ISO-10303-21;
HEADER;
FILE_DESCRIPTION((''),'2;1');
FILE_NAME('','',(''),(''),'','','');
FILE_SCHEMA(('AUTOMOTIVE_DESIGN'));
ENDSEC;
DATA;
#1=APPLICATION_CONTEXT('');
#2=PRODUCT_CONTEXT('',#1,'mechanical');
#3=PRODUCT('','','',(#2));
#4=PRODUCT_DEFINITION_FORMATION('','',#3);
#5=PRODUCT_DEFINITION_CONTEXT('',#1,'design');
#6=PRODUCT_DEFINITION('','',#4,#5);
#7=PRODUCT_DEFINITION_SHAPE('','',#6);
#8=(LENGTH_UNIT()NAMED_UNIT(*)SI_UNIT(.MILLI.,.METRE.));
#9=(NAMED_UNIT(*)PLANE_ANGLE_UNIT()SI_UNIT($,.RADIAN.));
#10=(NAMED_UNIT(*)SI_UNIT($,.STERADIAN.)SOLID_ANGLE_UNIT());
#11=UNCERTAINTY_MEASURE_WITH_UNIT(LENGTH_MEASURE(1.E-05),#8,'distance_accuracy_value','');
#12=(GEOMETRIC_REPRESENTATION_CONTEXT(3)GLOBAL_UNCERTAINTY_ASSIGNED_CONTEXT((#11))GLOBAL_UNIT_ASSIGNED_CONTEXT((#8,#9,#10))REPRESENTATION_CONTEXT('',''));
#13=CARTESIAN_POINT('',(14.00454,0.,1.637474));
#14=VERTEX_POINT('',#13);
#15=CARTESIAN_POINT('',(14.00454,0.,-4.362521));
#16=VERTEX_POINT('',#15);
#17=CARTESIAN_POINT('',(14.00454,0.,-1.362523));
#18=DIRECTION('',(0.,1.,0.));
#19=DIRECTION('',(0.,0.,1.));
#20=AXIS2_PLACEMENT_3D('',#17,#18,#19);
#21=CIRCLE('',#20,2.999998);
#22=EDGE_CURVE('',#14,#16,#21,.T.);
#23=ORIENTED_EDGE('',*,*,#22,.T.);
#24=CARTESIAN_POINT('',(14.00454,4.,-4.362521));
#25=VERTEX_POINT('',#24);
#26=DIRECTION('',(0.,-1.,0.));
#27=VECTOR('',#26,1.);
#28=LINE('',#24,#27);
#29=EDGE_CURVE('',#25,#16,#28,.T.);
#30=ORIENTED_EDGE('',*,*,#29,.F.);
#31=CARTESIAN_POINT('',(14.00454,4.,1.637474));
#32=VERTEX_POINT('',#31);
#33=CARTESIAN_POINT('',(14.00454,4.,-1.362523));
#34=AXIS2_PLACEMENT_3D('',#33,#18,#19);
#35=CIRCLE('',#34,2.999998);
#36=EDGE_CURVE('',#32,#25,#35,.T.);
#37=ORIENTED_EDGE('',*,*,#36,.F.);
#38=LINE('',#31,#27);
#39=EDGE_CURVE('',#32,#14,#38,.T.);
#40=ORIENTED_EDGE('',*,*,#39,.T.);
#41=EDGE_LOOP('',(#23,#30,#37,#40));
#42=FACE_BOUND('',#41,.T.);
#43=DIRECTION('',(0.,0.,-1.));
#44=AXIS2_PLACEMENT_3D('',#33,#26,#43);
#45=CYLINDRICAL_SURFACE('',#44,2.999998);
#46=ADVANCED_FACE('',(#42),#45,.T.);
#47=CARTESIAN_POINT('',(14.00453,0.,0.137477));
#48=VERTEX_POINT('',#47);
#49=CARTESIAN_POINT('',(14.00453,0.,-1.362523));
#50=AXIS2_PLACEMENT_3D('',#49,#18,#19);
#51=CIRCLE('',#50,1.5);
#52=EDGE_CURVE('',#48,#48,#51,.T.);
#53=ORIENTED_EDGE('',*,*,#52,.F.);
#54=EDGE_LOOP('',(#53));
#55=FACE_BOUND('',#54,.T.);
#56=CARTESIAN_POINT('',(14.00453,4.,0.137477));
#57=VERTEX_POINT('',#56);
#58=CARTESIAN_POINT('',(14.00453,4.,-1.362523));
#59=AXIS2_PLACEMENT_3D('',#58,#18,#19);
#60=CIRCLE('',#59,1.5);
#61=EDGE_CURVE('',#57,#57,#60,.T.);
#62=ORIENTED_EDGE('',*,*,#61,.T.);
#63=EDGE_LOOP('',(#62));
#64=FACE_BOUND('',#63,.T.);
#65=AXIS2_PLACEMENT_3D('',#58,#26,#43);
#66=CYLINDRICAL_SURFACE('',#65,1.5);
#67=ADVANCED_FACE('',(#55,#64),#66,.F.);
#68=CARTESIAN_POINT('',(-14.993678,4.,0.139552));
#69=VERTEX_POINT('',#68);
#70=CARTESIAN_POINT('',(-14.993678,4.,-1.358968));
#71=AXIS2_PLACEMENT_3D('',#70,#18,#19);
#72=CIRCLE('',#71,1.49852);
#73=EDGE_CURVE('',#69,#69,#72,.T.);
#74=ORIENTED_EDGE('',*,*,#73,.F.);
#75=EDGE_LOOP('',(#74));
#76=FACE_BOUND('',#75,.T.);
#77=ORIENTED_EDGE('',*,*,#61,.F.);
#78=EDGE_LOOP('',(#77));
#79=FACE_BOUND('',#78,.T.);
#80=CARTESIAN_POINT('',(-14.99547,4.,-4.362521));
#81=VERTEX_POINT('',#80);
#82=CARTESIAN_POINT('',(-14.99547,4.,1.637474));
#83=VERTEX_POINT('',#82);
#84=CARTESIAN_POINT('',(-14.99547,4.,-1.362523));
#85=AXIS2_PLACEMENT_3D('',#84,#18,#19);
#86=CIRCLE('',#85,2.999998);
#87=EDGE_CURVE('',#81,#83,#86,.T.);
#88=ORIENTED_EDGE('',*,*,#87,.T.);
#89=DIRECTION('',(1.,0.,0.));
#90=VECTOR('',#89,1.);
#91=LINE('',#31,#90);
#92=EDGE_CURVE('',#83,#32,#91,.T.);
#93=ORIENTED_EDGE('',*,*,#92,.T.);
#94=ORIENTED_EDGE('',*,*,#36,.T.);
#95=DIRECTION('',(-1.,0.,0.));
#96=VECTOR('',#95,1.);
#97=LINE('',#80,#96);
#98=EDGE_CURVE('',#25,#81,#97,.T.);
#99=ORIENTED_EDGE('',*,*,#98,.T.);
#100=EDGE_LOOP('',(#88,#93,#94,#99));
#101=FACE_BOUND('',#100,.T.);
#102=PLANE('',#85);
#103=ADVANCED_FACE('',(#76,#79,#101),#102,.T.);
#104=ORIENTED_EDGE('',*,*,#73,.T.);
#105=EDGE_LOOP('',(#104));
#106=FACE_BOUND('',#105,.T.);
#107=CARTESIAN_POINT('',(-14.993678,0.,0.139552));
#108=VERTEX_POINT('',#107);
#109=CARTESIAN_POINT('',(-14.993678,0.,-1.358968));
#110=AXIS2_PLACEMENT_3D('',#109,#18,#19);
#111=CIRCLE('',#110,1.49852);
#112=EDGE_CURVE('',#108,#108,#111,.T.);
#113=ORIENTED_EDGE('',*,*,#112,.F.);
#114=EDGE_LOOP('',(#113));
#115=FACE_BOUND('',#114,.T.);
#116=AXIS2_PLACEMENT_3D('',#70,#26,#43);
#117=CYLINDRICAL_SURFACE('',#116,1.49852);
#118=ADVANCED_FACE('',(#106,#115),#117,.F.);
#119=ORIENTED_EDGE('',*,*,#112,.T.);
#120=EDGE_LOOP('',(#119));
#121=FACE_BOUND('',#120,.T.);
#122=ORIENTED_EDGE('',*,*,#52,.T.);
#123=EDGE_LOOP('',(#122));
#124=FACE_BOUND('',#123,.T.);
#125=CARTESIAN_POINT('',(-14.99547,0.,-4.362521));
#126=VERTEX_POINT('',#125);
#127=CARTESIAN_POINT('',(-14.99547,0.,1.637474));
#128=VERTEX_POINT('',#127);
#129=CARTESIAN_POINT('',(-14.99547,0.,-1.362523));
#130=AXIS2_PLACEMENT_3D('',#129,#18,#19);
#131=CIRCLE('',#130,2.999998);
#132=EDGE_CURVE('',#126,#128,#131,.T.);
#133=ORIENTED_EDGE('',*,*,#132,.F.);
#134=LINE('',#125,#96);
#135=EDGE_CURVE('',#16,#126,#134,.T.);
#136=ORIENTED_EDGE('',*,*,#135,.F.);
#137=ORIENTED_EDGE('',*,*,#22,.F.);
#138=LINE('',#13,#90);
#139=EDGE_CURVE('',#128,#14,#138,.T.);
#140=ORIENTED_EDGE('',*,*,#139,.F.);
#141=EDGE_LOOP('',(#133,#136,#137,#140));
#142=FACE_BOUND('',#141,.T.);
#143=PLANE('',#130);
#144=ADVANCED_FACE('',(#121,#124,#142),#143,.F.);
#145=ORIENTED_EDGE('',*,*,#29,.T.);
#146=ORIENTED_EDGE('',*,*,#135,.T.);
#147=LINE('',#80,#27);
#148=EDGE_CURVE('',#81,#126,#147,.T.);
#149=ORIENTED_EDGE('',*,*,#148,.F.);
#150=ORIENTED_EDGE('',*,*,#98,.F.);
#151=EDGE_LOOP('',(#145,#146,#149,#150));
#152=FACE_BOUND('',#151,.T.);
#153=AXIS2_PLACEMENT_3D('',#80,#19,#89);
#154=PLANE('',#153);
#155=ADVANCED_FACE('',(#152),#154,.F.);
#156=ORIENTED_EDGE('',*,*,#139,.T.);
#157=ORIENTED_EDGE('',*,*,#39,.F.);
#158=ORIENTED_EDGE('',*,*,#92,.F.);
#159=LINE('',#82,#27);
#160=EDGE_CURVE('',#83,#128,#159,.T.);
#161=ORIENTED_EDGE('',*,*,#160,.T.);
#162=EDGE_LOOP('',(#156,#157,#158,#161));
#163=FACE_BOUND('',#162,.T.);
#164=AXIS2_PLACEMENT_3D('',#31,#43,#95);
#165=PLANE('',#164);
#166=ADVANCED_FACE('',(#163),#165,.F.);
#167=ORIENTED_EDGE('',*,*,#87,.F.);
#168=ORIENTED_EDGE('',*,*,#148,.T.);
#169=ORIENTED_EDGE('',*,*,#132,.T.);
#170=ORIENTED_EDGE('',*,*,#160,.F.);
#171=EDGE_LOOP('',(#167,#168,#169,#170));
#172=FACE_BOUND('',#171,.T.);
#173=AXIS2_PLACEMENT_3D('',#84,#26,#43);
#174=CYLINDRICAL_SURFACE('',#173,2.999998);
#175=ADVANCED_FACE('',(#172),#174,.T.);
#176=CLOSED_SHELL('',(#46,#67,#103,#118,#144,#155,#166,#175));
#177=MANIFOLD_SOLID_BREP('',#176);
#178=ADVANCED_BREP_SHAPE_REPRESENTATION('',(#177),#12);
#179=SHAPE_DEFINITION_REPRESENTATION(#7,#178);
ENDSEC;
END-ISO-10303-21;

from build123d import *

# Parameters (mm, degrees)
CROQUIS1_R              = 1.500000151
CROQUIS1_R_2            = 1.498520087
SALIENTE_EXTRUIR1_DEPTH = 4


with BuildPart() as part:
    # Croquis1 → Saliente-Extruir1 (new body)
    with BuildSketch(Plane(origin=(0, 0, 0), x_dir=(1, 0, 0), z_dir=(0, 1, 0))):
        with BuildLine():
            Line((-14.995469687, 4.362520553), (14.00454042, 4.362520553))
            ThreePointArc((14.00454042, 4.362520553), (17.00453793, 1.362523043), (14.00454042, -1.637474466))
            Line((14.00454042, -1.637474466), (-14.995469687, -1.637474466))
            ThreePointArc((-14.995469687, -1.637474466), (-17.995467197, 1.362523043), (-14.995469687, 4.362520553))
        make_face()
        with Locations((14.004530353, 1.362523139)):
            Circle(CROQUIS1_R, mode=Mode.SUBTRACT)
        with Locations((-14.993677621, 1.35896826)):
            Circle(CROQUIS1_R_2, mode=Mode.SUBTRACT)
    extrude(amount=SALIENTE_EXTRUIR1_DEPTH)


solid = part.part
